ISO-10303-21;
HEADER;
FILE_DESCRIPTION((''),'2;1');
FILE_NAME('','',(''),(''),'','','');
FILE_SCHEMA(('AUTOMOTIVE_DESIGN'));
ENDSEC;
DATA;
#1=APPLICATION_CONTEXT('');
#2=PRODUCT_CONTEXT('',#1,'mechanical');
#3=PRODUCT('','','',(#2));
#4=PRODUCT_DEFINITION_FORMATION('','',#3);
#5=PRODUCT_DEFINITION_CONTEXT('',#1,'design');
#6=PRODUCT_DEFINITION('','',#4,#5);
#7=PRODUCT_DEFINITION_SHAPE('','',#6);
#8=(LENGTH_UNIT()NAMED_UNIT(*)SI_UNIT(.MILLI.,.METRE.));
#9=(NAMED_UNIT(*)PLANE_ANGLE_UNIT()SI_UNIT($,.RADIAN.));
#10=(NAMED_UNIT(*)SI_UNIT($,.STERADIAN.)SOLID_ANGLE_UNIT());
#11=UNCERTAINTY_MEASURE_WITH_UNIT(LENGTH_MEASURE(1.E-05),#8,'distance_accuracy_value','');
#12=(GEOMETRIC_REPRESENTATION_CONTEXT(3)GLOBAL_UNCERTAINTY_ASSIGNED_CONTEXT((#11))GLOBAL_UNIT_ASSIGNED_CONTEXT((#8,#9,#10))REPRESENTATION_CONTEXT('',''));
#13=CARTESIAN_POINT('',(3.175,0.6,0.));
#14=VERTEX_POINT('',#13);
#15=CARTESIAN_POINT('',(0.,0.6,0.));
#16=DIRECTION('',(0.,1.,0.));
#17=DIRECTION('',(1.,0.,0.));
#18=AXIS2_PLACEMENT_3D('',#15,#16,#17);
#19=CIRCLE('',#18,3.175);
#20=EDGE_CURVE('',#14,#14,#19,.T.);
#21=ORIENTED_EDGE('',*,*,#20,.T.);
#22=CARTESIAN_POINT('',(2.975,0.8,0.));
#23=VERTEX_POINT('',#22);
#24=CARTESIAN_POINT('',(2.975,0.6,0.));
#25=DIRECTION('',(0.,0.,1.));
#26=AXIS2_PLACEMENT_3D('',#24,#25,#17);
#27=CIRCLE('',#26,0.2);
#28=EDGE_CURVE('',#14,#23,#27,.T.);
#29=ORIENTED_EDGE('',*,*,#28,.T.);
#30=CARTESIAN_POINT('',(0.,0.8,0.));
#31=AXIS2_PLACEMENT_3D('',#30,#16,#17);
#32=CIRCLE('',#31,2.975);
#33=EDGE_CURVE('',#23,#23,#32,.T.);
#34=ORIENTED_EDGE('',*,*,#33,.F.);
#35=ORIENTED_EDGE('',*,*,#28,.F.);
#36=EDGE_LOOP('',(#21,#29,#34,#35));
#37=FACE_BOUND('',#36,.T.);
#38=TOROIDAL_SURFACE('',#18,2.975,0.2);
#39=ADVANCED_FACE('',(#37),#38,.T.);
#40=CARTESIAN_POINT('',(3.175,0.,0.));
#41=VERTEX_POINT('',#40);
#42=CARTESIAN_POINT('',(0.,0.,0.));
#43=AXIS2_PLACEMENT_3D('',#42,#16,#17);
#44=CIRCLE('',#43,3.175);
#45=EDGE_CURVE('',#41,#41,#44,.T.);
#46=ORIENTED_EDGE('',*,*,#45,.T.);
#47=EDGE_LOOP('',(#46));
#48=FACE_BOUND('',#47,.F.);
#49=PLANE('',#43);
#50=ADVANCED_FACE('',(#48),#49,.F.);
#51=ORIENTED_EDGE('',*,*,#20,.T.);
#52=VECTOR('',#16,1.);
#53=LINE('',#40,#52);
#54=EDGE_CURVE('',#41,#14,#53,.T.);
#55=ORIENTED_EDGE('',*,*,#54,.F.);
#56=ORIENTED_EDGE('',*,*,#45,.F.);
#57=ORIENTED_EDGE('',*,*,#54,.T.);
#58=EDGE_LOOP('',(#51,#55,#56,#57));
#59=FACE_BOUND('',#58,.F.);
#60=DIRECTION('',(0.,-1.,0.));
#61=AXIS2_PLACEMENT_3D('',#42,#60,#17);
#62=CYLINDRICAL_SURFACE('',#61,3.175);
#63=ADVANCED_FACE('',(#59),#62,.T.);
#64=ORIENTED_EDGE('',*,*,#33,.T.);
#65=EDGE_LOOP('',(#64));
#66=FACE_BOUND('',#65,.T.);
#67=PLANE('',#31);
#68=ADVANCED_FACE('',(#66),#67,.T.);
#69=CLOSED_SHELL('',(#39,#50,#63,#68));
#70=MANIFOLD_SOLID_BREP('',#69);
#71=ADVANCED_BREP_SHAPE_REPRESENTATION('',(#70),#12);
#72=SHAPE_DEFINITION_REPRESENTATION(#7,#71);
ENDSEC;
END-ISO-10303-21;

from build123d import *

# Parameters (mm, degrees)
SKETCH1_R           = 3.175
BOSS_EXTRUDE1_DEPTH = 0.8
FILLET3_R           = 0.2


with BuildPart() as part:
    # Sketch1 → Boss-Extrude1 (new body)
    with BuildSketch(Plane(origin=(0, 0, 0), x_dir=(1, 0, 0), z_dir=(0, 1, 0))):
        Circle(SKETCH1_R)
    extrude(amount=BOSS_EXTRUDE1_DEPTH)

    # Fillet3
    fillet3_edges = [part.edges().sort_by_distance(p)[0] for p in [
        (-3.175, 0.8, 0),
    ]]
    fillet(fillet3_edges, radius=FILLET3_R)


solid = part.part
